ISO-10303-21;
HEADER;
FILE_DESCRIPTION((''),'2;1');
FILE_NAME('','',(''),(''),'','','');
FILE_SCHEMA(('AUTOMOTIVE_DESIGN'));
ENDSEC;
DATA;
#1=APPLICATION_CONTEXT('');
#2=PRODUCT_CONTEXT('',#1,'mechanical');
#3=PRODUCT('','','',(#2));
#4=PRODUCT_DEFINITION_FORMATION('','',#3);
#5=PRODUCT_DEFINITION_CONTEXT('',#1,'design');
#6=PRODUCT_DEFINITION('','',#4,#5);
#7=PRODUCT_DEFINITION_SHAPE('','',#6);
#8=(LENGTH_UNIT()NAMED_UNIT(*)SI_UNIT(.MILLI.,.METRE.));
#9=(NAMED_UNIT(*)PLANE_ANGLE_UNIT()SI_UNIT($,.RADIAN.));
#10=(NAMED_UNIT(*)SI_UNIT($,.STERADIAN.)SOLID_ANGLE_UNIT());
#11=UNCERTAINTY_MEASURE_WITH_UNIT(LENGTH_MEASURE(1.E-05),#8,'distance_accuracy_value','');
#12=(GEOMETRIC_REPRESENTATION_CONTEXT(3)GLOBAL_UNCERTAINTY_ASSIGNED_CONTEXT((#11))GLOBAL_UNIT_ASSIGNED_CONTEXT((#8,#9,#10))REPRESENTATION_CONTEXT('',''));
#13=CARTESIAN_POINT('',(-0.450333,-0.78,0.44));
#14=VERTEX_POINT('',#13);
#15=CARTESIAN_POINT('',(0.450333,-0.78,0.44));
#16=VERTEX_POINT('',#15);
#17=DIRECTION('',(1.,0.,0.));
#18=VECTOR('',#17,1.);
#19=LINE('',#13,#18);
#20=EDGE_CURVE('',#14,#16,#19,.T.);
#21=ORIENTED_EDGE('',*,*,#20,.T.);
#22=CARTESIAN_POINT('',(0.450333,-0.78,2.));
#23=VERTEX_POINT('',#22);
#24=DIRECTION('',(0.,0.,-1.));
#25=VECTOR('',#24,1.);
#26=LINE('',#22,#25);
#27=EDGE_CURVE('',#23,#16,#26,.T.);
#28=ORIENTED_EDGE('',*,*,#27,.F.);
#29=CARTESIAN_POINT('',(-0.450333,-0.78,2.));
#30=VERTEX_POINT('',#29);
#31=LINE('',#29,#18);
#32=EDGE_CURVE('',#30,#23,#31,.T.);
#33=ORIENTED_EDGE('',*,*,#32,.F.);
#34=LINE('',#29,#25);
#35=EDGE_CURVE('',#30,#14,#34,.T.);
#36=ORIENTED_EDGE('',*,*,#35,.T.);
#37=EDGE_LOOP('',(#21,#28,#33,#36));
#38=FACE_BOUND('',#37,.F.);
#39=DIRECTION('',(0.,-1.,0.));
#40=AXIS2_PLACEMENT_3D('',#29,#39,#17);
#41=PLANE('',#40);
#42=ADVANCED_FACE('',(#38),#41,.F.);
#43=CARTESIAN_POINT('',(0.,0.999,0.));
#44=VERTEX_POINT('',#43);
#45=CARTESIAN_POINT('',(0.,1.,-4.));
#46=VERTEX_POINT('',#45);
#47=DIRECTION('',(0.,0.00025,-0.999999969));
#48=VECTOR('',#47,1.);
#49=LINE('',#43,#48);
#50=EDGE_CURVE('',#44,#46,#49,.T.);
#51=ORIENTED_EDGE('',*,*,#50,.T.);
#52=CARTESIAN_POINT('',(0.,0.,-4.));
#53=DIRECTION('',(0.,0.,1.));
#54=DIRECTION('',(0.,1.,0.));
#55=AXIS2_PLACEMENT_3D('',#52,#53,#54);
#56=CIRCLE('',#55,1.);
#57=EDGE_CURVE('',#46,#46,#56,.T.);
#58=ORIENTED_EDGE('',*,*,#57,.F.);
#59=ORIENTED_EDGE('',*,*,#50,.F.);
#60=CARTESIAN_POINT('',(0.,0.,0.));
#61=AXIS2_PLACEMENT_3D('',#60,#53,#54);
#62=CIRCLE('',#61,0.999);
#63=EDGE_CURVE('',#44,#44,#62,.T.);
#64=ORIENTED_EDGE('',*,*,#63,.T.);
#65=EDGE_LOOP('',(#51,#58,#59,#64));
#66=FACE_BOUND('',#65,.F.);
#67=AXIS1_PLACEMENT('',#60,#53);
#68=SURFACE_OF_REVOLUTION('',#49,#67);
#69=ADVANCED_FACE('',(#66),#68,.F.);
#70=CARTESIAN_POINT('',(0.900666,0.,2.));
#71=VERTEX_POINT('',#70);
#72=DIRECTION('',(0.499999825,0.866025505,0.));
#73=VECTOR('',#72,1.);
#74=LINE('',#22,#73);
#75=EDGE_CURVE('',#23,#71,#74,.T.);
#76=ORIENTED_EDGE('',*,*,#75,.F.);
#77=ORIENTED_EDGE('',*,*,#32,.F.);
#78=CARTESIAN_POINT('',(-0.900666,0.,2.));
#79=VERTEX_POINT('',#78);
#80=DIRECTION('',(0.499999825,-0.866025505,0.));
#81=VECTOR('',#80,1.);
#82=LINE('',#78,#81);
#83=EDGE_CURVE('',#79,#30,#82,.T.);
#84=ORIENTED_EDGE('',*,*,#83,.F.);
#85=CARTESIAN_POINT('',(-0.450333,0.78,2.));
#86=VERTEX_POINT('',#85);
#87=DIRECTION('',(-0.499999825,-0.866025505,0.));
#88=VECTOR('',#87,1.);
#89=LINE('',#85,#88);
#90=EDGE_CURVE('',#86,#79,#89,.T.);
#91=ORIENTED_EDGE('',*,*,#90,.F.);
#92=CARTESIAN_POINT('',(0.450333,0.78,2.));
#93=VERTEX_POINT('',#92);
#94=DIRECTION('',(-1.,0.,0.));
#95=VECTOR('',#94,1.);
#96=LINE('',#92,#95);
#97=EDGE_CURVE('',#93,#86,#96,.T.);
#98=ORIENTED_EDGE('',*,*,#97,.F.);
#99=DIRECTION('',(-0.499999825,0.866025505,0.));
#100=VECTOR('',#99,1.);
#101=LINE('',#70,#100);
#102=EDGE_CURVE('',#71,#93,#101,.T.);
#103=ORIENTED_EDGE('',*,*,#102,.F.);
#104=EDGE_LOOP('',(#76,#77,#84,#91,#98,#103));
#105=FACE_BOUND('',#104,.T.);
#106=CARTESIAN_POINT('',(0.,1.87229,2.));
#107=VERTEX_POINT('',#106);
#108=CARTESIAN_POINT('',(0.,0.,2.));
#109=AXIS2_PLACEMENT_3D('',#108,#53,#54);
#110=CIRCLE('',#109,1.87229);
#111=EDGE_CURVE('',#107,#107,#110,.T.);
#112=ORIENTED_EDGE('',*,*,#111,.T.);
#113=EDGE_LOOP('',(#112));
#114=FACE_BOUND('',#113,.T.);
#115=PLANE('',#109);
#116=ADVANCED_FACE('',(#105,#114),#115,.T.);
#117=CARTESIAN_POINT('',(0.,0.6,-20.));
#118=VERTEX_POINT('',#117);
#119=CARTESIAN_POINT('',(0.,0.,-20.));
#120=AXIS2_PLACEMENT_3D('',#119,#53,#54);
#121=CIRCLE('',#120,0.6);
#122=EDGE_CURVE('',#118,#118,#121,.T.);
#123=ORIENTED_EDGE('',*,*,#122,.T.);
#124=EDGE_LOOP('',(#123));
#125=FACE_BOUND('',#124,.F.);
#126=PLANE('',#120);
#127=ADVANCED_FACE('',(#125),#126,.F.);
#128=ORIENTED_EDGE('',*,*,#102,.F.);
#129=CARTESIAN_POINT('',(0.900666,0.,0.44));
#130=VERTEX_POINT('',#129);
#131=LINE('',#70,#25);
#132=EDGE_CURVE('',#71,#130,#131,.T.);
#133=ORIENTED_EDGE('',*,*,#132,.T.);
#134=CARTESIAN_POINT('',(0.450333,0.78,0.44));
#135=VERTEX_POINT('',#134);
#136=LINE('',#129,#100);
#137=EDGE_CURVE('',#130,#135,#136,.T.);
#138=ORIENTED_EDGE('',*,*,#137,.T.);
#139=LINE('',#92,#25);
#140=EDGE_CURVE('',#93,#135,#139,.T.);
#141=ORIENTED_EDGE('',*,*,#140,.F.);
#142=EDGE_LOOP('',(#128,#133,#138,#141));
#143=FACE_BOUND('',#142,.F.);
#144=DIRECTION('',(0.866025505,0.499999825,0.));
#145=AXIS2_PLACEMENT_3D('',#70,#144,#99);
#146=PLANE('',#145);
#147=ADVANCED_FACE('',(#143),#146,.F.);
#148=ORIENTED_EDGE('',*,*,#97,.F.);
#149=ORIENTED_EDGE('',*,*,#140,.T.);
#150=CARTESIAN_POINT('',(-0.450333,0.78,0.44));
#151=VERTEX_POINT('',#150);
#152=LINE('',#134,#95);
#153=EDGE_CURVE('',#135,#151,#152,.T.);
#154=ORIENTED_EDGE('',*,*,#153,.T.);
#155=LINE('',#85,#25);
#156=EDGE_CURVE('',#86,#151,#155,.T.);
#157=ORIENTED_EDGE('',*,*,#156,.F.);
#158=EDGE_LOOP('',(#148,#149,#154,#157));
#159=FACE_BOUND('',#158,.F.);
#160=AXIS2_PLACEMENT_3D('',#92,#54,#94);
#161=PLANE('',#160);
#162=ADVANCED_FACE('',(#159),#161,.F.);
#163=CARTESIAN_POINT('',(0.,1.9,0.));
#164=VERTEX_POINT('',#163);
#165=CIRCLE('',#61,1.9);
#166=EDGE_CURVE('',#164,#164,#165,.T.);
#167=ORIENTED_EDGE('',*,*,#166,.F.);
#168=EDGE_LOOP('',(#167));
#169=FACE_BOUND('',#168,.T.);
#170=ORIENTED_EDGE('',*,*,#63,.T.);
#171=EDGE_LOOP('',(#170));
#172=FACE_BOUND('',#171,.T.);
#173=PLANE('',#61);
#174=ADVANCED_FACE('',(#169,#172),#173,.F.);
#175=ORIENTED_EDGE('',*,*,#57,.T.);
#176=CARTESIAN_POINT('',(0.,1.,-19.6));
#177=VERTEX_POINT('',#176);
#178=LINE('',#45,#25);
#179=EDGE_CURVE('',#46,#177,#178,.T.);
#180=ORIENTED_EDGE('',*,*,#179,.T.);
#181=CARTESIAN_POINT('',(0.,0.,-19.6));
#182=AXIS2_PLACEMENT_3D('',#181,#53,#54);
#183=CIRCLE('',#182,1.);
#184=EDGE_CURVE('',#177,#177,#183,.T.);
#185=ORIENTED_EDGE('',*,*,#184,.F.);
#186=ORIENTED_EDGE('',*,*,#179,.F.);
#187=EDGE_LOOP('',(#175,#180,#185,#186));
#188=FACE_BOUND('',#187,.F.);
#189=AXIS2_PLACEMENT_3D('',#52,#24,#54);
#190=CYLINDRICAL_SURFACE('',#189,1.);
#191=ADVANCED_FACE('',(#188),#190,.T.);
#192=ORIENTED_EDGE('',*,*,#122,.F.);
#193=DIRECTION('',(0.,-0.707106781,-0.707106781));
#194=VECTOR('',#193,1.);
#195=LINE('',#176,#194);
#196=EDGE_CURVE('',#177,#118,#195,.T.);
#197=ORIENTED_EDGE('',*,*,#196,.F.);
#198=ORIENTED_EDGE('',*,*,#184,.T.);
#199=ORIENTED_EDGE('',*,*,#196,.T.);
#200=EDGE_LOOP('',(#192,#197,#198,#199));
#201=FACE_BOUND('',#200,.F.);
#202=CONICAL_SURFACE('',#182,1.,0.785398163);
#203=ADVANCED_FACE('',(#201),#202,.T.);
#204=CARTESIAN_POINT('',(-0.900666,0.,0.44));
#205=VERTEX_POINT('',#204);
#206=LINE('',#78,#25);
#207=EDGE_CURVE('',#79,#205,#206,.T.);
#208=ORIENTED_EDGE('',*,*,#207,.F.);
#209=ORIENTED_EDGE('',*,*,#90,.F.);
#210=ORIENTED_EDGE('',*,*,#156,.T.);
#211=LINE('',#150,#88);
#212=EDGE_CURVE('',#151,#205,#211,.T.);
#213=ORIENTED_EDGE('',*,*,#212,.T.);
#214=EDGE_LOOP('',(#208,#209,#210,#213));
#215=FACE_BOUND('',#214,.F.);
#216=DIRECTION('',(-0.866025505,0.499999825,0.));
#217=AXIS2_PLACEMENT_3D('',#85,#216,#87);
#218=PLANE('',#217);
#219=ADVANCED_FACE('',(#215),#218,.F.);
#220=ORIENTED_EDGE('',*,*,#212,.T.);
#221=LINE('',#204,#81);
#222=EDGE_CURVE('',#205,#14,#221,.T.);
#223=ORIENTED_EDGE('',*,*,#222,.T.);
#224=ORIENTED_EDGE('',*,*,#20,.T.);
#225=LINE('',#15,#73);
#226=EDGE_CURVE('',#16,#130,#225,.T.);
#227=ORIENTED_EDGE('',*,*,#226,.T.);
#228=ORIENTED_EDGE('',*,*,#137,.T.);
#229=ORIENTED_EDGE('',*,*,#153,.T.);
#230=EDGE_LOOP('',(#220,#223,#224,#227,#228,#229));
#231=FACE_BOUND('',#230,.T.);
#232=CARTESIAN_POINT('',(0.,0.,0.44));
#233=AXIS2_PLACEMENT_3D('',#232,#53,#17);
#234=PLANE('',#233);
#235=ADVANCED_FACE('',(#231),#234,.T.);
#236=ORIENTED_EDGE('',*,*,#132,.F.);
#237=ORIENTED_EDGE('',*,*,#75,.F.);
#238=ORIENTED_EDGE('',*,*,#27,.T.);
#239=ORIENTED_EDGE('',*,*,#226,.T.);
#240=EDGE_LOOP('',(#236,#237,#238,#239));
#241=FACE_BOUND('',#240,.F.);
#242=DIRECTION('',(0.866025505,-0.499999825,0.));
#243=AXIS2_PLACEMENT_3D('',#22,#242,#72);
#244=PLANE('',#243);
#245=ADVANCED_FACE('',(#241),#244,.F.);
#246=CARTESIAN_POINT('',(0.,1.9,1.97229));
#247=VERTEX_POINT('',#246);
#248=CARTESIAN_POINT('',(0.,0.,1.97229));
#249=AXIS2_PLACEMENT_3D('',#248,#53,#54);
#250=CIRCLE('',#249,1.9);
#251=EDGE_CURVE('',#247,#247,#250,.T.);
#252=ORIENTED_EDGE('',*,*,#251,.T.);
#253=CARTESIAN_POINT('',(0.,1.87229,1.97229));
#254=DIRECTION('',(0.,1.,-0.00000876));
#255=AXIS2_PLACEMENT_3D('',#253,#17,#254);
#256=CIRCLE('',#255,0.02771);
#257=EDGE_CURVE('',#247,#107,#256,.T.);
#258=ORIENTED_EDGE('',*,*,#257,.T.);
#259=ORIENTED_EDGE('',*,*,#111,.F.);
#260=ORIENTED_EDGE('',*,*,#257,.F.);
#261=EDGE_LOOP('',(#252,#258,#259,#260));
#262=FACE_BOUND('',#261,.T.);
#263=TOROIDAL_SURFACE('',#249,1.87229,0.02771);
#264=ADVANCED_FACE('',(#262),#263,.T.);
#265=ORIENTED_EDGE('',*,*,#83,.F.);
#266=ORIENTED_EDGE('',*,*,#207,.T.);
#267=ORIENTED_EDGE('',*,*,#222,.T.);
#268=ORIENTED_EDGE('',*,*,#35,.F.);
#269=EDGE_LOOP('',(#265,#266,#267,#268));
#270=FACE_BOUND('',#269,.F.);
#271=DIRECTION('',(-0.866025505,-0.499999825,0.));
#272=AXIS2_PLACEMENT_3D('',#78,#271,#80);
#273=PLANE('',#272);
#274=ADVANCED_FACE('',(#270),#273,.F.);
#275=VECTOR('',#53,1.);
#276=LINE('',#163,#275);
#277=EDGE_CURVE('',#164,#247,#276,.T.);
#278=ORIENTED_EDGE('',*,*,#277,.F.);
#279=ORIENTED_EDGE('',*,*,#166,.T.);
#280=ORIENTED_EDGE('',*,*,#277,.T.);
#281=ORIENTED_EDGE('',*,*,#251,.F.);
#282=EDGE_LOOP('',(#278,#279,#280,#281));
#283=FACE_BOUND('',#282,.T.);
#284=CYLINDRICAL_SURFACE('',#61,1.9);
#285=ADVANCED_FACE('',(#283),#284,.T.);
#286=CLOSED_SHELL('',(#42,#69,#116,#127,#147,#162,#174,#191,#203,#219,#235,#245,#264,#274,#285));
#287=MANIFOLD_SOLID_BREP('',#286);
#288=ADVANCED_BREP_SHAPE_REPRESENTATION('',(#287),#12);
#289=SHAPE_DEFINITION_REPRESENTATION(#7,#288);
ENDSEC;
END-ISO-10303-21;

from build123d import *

# Parameters (mm, degrees)
POCKET_DEPTH = 1.56


with BuildPart() as part:
    # Sketch → Revolve (revolve)
    with BuildSketch(Plane.YZ):
        with BuildLine():
            Line((0.999, 0), (1.9, 0))
            Line((1.9, 0), (1.9, 1.97229))
            ThreePointArc((1.9, 1.97229), (1.891884, 1.991884), (1.87229, 2))
            Line((1.87229, 2), (0, 2))
            Line((0, -20), (0, 2))
            Line((0.6, -20), (0, -20))
            Line((1, -19.6), (0.6, -20))
            Line((1, -4), (1, -19.6))
            Line((0.999, 0), (1, -4))
        make_face()
    revolve(axis=Axis((0, 0, 0), (0, 0, 1)))

    # Sketch001 → Pocket (cut)
    with BuildSketch(Plane.XY.offset(2)):
        Polygon((0.900666, 0), (0.450333, 0.78), (-0.450333, 0.78), (-0.900666, 0), (-0.450333, -0.78), (0.450333, -0.78), align=None)
    extrude(amount=-POCKET_DEPTH, mode=Mode.SUBTRACT)


solid = part.part
